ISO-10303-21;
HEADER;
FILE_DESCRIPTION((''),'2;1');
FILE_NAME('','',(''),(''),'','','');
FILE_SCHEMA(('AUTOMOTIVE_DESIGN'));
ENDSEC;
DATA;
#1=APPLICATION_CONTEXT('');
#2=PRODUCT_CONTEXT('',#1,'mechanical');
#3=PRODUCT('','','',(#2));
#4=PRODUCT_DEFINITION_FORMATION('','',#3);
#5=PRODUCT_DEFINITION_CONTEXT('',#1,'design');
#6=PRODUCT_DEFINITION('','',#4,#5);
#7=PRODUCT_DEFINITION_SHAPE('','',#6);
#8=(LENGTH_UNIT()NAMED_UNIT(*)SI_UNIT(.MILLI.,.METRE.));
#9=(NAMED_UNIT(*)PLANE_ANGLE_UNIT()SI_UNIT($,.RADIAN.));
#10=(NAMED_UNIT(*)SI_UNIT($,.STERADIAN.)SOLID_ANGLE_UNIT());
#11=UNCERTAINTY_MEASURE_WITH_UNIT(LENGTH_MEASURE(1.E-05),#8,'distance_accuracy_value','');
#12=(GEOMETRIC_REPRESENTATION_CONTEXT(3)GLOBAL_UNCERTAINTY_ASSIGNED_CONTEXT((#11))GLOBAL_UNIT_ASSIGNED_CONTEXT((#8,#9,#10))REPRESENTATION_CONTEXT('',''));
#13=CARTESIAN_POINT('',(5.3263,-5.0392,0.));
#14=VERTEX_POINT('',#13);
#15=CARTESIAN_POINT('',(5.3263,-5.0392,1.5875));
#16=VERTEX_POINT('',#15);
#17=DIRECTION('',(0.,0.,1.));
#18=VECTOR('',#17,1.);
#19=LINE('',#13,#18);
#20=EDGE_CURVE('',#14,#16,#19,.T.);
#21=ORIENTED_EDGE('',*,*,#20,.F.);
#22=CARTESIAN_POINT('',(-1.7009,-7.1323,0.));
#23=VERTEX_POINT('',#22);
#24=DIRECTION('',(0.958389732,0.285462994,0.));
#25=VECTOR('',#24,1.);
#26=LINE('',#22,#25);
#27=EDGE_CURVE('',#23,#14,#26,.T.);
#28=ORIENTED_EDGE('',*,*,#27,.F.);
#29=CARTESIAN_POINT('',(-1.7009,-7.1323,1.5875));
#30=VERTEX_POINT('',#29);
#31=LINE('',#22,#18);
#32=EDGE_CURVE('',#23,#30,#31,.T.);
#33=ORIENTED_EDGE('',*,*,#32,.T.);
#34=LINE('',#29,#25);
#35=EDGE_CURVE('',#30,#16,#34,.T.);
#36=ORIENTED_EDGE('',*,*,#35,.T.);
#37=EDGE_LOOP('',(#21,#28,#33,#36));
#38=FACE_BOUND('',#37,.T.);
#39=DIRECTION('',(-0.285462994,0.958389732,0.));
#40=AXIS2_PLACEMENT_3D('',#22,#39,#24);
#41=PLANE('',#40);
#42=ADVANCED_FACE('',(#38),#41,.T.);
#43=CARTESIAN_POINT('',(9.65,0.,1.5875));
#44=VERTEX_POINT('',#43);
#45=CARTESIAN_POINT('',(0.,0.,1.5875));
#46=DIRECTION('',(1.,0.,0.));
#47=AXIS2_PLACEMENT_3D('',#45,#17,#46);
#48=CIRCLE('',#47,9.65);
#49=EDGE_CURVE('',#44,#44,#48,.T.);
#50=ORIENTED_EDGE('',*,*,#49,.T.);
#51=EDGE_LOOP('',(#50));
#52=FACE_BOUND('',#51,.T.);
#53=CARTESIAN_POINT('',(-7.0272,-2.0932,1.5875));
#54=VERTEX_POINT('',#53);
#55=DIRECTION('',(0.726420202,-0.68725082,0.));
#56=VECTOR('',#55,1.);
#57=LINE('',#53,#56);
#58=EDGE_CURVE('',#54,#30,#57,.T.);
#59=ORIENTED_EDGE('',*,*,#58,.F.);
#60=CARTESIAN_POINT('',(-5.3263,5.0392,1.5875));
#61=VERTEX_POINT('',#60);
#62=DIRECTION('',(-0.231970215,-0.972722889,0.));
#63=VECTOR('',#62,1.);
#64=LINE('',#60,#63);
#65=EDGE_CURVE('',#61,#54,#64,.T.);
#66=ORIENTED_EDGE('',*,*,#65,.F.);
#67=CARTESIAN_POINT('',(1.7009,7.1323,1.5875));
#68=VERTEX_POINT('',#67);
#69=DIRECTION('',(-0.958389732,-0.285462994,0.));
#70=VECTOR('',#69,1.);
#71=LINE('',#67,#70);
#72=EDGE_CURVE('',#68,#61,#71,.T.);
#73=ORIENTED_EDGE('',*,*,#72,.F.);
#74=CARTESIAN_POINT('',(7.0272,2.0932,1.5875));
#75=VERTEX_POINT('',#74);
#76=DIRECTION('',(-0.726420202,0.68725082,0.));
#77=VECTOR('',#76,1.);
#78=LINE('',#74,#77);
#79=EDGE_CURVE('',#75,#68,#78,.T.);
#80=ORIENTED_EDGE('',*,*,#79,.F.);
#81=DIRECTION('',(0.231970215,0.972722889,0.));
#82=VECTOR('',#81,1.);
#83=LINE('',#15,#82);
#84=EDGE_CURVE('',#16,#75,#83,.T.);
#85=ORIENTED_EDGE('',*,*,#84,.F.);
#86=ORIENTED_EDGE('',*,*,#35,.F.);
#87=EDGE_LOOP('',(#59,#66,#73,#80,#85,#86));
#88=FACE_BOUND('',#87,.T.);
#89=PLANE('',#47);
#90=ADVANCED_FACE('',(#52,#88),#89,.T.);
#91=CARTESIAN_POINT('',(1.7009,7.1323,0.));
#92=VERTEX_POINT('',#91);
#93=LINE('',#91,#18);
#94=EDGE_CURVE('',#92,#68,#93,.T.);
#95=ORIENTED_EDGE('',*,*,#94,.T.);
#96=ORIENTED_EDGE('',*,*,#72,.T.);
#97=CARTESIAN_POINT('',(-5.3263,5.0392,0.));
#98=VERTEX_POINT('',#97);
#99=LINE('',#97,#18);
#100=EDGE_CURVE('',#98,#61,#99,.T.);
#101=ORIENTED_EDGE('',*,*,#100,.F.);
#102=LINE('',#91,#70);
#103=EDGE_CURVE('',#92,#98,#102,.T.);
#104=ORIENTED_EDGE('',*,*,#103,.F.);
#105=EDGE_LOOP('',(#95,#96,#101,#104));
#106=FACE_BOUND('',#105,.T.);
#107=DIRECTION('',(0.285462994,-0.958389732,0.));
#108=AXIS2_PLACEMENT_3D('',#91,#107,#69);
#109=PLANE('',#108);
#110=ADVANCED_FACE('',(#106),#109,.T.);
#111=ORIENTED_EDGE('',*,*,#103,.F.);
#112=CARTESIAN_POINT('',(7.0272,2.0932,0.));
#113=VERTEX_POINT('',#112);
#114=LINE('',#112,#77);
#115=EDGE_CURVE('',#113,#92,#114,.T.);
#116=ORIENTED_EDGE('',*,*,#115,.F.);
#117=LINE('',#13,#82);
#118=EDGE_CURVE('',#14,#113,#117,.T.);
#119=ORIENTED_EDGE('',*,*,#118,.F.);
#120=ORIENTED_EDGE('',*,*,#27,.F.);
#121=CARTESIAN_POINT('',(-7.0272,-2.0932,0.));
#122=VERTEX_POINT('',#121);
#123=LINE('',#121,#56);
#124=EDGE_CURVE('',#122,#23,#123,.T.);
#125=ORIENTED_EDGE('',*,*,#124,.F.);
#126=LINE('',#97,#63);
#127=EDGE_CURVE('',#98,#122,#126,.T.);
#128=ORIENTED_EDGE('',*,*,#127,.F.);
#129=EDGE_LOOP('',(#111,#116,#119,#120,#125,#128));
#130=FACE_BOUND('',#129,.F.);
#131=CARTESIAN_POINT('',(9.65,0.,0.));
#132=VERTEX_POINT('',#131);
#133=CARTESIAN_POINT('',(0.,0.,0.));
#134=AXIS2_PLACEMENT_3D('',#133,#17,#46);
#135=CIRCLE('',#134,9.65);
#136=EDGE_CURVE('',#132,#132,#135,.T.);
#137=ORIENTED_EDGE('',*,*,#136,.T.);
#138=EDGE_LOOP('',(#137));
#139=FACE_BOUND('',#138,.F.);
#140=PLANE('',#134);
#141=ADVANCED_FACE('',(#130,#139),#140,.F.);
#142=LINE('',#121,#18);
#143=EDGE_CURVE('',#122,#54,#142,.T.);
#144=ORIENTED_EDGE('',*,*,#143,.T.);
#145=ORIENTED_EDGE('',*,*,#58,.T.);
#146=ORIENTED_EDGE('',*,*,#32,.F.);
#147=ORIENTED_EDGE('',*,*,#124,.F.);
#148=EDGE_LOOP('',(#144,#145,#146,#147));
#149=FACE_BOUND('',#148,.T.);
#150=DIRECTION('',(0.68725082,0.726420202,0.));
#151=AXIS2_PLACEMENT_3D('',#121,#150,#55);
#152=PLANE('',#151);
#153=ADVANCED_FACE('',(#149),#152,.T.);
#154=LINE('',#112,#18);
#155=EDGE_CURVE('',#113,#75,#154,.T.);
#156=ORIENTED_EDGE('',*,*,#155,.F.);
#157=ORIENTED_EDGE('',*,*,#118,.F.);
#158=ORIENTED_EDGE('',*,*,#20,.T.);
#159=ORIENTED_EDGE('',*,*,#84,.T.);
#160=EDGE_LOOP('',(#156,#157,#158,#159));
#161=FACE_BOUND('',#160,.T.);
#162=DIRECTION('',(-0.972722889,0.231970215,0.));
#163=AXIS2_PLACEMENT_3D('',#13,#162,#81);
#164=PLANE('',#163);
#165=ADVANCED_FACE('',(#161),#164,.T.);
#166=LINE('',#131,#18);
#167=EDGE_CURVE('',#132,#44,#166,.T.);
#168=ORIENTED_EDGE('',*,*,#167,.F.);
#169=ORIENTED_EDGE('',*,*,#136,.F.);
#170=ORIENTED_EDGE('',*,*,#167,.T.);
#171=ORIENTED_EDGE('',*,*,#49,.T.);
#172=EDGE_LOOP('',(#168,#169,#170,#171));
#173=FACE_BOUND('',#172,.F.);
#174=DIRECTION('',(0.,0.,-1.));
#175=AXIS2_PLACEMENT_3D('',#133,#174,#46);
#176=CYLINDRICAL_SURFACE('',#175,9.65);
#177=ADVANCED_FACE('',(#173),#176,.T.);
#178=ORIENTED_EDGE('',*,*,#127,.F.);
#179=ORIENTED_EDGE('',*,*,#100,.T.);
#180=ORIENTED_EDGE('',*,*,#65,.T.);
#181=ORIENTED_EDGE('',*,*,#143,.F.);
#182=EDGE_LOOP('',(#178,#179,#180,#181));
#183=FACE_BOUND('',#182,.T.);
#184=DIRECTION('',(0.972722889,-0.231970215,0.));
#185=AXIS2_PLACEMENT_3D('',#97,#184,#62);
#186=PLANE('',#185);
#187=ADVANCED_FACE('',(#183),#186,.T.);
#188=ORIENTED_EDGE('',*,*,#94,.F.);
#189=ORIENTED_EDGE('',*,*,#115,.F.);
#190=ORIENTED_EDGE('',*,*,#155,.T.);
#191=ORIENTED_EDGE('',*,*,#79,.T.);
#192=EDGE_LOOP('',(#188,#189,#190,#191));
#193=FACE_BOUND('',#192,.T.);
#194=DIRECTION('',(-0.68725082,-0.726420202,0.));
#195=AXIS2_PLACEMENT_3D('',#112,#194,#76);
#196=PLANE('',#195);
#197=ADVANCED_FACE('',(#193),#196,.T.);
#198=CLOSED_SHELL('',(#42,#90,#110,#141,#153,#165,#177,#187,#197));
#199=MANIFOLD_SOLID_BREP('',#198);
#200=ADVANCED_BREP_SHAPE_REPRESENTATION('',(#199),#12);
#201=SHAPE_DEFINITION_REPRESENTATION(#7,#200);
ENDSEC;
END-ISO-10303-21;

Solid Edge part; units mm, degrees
sketch "Sketch1" plane through (0, 0, 0) normal (0, 0, 1) x (1, 0, 0)
  circle A0 centre (0, 0) radius 9.65
  line L0 (-7.0272, -2.0932) -> (-1.7009, -7.1323)
  line L1 (-1.7009, -7.1323) -> (5.3263, -5.0392)
  line L2 (5.3263, -5.0392) -> (7.0272, 2.0932)
  line L3 (7.0272, 2.0932) -> (1.7009, 7.1323)
  line L4 (1.7009, 7.1323) -> (-5.3263, 5.0392)
  line L5 (-5.3263, 5.0392) -> (-7.0272, -2.0932)
  dimension "D1" = 19.3
  dimension "D2" = 12.7
extrude "Protrusion1" add sketch "Sketch1" along normal blind 1.5875
properties part number "BumbleB0537"
